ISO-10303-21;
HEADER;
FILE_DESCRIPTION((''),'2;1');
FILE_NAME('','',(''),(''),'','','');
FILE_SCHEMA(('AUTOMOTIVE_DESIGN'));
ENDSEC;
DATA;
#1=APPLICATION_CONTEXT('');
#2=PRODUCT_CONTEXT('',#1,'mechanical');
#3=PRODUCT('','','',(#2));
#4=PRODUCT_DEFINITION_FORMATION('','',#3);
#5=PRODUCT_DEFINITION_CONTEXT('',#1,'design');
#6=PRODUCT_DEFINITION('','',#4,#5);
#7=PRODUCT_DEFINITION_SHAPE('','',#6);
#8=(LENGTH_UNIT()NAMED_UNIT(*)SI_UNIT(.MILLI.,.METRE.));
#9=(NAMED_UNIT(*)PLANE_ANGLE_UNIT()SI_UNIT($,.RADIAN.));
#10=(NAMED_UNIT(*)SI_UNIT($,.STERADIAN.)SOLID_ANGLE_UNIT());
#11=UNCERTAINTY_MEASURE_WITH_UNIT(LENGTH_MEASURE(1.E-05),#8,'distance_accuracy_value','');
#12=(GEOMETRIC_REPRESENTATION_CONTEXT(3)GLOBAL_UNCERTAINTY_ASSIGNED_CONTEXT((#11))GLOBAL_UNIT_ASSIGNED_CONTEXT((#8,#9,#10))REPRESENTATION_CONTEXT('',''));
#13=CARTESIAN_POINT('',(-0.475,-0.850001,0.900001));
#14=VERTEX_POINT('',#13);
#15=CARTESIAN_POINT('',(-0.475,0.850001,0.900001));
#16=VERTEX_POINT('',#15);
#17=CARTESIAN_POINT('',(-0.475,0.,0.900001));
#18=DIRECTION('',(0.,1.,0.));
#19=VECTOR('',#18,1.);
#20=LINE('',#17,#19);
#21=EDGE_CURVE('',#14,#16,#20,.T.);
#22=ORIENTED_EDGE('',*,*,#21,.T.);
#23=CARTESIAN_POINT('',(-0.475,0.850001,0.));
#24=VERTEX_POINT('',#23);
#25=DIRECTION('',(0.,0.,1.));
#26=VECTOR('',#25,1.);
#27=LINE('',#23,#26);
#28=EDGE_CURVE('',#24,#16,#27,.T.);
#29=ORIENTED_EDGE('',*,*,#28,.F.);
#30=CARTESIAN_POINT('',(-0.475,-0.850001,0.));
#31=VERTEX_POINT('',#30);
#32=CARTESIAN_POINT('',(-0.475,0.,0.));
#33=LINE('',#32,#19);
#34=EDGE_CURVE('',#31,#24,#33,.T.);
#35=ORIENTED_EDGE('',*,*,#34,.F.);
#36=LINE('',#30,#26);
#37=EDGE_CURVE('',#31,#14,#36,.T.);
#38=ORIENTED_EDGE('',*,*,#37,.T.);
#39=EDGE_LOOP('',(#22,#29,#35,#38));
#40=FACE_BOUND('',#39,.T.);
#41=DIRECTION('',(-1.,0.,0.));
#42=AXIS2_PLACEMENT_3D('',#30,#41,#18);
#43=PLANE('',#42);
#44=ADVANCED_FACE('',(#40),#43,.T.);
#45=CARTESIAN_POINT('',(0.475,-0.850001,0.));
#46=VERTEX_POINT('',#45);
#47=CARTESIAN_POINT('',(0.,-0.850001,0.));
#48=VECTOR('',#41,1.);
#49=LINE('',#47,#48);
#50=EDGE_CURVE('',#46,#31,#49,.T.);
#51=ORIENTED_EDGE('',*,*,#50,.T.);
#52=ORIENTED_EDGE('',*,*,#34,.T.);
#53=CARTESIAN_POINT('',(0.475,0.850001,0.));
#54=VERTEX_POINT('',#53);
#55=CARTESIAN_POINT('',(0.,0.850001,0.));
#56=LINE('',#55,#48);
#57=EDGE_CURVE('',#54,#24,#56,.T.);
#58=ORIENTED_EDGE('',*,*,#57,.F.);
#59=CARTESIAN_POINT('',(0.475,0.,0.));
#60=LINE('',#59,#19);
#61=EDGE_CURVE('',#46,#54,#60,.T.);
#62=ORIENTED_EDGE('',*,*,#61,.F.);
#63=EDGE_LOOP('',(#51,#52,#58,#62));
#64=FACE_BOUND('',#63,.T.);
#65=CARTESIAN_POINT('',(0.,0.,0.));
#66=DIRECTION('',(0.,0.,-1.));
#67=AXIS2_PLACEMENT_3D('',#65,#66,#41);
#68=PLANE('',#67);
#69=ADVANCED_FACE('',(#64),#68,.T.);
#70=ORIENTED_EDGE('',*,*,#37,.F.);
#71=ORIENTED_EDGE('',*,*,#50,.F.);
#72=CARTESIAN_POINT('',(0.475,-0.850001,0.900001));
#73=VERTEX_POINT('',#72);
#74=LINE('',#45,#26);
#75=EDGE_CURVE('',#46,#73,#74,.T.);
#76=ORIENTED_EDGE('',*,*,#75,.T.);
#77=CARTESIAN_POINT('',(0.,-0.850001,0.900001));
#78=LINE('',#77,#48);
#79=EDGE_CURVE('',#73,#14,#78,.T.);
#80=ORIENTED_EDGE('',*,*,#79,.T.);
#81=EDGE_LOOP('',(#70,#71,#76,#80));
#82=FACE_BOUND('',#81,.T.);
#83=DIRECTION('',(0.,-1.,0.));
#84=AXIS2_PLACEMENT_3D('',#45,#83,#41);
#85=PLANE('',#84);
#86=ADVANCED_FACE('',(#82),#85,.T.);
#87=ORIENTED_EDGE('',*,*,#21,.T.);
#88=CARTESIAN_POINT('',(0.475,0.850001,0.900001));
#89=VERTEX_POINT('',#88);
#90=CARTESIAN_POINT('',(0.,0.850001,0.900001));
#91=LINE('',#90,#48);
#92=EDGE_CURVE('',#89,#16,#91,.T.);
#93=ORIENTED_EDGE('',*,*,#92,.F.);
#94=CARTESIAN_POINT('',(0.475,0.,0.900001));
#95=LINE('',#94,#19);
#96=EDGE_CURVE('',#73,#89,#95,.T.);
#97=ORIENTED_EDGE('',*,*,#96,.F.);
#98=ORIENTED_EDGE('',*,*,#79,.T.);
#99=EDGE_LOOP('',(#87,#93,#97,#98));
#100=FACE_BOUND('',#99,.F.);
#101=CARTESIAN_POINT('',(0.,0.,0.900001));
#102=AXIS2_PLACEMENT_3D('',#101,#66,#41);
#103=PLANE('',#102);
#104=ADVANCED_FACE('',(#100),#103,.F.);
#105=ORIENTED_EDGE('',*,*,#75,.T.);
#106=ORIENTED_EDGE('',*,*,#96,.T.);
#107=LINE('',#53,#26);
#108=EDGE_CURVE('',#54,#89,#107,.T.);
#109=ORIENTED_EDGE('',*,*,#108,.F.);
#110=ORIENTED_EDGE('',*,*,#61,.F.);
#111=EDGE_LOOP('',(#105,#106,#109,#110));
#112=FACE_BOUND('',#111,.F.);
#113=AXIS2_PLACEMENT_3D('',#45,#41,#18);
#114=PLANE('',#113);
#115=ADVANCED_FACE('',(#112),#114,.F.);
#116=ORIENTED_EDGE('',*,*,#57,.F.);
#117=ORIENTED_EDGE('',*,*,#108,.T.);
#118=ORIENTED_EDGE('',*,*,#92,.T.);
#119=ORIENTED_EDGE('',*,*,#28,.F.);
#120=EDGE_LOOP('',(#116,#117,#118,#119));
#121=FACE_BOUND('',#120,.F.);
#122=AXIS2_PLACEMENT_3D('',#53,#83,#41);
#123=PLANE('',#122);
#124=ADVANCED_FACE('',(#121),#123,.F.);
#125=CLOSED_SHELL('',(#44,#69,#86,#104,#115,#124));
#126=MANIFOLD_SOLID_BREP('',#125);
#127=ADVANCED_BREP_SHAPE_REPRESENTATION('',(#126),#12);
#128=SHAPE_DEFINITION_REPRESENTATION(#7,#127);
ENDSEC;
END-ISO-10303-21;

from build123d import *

# Parameters (mm, degrees)
SKETCH1_W           = 0.95000064
SKETCH1_H           = 1.70000168
BOSS_EXTRUDE1_DEPTH = 0.90000074


with BuildPart() as part:
    # Sketch1 → Boss-Extrude1 (new body)
    with BuildSketch(Plane(origin=(0, 0, 0), x_dir=(-1, 0, 0), z_dir=(0, 0, -1))):
        Rectangle(SKETCH1_W, SKETCH1_H)
    extrude(amount=-BOSS_EXTRUDE1_DEPTH)


solid = part.part
